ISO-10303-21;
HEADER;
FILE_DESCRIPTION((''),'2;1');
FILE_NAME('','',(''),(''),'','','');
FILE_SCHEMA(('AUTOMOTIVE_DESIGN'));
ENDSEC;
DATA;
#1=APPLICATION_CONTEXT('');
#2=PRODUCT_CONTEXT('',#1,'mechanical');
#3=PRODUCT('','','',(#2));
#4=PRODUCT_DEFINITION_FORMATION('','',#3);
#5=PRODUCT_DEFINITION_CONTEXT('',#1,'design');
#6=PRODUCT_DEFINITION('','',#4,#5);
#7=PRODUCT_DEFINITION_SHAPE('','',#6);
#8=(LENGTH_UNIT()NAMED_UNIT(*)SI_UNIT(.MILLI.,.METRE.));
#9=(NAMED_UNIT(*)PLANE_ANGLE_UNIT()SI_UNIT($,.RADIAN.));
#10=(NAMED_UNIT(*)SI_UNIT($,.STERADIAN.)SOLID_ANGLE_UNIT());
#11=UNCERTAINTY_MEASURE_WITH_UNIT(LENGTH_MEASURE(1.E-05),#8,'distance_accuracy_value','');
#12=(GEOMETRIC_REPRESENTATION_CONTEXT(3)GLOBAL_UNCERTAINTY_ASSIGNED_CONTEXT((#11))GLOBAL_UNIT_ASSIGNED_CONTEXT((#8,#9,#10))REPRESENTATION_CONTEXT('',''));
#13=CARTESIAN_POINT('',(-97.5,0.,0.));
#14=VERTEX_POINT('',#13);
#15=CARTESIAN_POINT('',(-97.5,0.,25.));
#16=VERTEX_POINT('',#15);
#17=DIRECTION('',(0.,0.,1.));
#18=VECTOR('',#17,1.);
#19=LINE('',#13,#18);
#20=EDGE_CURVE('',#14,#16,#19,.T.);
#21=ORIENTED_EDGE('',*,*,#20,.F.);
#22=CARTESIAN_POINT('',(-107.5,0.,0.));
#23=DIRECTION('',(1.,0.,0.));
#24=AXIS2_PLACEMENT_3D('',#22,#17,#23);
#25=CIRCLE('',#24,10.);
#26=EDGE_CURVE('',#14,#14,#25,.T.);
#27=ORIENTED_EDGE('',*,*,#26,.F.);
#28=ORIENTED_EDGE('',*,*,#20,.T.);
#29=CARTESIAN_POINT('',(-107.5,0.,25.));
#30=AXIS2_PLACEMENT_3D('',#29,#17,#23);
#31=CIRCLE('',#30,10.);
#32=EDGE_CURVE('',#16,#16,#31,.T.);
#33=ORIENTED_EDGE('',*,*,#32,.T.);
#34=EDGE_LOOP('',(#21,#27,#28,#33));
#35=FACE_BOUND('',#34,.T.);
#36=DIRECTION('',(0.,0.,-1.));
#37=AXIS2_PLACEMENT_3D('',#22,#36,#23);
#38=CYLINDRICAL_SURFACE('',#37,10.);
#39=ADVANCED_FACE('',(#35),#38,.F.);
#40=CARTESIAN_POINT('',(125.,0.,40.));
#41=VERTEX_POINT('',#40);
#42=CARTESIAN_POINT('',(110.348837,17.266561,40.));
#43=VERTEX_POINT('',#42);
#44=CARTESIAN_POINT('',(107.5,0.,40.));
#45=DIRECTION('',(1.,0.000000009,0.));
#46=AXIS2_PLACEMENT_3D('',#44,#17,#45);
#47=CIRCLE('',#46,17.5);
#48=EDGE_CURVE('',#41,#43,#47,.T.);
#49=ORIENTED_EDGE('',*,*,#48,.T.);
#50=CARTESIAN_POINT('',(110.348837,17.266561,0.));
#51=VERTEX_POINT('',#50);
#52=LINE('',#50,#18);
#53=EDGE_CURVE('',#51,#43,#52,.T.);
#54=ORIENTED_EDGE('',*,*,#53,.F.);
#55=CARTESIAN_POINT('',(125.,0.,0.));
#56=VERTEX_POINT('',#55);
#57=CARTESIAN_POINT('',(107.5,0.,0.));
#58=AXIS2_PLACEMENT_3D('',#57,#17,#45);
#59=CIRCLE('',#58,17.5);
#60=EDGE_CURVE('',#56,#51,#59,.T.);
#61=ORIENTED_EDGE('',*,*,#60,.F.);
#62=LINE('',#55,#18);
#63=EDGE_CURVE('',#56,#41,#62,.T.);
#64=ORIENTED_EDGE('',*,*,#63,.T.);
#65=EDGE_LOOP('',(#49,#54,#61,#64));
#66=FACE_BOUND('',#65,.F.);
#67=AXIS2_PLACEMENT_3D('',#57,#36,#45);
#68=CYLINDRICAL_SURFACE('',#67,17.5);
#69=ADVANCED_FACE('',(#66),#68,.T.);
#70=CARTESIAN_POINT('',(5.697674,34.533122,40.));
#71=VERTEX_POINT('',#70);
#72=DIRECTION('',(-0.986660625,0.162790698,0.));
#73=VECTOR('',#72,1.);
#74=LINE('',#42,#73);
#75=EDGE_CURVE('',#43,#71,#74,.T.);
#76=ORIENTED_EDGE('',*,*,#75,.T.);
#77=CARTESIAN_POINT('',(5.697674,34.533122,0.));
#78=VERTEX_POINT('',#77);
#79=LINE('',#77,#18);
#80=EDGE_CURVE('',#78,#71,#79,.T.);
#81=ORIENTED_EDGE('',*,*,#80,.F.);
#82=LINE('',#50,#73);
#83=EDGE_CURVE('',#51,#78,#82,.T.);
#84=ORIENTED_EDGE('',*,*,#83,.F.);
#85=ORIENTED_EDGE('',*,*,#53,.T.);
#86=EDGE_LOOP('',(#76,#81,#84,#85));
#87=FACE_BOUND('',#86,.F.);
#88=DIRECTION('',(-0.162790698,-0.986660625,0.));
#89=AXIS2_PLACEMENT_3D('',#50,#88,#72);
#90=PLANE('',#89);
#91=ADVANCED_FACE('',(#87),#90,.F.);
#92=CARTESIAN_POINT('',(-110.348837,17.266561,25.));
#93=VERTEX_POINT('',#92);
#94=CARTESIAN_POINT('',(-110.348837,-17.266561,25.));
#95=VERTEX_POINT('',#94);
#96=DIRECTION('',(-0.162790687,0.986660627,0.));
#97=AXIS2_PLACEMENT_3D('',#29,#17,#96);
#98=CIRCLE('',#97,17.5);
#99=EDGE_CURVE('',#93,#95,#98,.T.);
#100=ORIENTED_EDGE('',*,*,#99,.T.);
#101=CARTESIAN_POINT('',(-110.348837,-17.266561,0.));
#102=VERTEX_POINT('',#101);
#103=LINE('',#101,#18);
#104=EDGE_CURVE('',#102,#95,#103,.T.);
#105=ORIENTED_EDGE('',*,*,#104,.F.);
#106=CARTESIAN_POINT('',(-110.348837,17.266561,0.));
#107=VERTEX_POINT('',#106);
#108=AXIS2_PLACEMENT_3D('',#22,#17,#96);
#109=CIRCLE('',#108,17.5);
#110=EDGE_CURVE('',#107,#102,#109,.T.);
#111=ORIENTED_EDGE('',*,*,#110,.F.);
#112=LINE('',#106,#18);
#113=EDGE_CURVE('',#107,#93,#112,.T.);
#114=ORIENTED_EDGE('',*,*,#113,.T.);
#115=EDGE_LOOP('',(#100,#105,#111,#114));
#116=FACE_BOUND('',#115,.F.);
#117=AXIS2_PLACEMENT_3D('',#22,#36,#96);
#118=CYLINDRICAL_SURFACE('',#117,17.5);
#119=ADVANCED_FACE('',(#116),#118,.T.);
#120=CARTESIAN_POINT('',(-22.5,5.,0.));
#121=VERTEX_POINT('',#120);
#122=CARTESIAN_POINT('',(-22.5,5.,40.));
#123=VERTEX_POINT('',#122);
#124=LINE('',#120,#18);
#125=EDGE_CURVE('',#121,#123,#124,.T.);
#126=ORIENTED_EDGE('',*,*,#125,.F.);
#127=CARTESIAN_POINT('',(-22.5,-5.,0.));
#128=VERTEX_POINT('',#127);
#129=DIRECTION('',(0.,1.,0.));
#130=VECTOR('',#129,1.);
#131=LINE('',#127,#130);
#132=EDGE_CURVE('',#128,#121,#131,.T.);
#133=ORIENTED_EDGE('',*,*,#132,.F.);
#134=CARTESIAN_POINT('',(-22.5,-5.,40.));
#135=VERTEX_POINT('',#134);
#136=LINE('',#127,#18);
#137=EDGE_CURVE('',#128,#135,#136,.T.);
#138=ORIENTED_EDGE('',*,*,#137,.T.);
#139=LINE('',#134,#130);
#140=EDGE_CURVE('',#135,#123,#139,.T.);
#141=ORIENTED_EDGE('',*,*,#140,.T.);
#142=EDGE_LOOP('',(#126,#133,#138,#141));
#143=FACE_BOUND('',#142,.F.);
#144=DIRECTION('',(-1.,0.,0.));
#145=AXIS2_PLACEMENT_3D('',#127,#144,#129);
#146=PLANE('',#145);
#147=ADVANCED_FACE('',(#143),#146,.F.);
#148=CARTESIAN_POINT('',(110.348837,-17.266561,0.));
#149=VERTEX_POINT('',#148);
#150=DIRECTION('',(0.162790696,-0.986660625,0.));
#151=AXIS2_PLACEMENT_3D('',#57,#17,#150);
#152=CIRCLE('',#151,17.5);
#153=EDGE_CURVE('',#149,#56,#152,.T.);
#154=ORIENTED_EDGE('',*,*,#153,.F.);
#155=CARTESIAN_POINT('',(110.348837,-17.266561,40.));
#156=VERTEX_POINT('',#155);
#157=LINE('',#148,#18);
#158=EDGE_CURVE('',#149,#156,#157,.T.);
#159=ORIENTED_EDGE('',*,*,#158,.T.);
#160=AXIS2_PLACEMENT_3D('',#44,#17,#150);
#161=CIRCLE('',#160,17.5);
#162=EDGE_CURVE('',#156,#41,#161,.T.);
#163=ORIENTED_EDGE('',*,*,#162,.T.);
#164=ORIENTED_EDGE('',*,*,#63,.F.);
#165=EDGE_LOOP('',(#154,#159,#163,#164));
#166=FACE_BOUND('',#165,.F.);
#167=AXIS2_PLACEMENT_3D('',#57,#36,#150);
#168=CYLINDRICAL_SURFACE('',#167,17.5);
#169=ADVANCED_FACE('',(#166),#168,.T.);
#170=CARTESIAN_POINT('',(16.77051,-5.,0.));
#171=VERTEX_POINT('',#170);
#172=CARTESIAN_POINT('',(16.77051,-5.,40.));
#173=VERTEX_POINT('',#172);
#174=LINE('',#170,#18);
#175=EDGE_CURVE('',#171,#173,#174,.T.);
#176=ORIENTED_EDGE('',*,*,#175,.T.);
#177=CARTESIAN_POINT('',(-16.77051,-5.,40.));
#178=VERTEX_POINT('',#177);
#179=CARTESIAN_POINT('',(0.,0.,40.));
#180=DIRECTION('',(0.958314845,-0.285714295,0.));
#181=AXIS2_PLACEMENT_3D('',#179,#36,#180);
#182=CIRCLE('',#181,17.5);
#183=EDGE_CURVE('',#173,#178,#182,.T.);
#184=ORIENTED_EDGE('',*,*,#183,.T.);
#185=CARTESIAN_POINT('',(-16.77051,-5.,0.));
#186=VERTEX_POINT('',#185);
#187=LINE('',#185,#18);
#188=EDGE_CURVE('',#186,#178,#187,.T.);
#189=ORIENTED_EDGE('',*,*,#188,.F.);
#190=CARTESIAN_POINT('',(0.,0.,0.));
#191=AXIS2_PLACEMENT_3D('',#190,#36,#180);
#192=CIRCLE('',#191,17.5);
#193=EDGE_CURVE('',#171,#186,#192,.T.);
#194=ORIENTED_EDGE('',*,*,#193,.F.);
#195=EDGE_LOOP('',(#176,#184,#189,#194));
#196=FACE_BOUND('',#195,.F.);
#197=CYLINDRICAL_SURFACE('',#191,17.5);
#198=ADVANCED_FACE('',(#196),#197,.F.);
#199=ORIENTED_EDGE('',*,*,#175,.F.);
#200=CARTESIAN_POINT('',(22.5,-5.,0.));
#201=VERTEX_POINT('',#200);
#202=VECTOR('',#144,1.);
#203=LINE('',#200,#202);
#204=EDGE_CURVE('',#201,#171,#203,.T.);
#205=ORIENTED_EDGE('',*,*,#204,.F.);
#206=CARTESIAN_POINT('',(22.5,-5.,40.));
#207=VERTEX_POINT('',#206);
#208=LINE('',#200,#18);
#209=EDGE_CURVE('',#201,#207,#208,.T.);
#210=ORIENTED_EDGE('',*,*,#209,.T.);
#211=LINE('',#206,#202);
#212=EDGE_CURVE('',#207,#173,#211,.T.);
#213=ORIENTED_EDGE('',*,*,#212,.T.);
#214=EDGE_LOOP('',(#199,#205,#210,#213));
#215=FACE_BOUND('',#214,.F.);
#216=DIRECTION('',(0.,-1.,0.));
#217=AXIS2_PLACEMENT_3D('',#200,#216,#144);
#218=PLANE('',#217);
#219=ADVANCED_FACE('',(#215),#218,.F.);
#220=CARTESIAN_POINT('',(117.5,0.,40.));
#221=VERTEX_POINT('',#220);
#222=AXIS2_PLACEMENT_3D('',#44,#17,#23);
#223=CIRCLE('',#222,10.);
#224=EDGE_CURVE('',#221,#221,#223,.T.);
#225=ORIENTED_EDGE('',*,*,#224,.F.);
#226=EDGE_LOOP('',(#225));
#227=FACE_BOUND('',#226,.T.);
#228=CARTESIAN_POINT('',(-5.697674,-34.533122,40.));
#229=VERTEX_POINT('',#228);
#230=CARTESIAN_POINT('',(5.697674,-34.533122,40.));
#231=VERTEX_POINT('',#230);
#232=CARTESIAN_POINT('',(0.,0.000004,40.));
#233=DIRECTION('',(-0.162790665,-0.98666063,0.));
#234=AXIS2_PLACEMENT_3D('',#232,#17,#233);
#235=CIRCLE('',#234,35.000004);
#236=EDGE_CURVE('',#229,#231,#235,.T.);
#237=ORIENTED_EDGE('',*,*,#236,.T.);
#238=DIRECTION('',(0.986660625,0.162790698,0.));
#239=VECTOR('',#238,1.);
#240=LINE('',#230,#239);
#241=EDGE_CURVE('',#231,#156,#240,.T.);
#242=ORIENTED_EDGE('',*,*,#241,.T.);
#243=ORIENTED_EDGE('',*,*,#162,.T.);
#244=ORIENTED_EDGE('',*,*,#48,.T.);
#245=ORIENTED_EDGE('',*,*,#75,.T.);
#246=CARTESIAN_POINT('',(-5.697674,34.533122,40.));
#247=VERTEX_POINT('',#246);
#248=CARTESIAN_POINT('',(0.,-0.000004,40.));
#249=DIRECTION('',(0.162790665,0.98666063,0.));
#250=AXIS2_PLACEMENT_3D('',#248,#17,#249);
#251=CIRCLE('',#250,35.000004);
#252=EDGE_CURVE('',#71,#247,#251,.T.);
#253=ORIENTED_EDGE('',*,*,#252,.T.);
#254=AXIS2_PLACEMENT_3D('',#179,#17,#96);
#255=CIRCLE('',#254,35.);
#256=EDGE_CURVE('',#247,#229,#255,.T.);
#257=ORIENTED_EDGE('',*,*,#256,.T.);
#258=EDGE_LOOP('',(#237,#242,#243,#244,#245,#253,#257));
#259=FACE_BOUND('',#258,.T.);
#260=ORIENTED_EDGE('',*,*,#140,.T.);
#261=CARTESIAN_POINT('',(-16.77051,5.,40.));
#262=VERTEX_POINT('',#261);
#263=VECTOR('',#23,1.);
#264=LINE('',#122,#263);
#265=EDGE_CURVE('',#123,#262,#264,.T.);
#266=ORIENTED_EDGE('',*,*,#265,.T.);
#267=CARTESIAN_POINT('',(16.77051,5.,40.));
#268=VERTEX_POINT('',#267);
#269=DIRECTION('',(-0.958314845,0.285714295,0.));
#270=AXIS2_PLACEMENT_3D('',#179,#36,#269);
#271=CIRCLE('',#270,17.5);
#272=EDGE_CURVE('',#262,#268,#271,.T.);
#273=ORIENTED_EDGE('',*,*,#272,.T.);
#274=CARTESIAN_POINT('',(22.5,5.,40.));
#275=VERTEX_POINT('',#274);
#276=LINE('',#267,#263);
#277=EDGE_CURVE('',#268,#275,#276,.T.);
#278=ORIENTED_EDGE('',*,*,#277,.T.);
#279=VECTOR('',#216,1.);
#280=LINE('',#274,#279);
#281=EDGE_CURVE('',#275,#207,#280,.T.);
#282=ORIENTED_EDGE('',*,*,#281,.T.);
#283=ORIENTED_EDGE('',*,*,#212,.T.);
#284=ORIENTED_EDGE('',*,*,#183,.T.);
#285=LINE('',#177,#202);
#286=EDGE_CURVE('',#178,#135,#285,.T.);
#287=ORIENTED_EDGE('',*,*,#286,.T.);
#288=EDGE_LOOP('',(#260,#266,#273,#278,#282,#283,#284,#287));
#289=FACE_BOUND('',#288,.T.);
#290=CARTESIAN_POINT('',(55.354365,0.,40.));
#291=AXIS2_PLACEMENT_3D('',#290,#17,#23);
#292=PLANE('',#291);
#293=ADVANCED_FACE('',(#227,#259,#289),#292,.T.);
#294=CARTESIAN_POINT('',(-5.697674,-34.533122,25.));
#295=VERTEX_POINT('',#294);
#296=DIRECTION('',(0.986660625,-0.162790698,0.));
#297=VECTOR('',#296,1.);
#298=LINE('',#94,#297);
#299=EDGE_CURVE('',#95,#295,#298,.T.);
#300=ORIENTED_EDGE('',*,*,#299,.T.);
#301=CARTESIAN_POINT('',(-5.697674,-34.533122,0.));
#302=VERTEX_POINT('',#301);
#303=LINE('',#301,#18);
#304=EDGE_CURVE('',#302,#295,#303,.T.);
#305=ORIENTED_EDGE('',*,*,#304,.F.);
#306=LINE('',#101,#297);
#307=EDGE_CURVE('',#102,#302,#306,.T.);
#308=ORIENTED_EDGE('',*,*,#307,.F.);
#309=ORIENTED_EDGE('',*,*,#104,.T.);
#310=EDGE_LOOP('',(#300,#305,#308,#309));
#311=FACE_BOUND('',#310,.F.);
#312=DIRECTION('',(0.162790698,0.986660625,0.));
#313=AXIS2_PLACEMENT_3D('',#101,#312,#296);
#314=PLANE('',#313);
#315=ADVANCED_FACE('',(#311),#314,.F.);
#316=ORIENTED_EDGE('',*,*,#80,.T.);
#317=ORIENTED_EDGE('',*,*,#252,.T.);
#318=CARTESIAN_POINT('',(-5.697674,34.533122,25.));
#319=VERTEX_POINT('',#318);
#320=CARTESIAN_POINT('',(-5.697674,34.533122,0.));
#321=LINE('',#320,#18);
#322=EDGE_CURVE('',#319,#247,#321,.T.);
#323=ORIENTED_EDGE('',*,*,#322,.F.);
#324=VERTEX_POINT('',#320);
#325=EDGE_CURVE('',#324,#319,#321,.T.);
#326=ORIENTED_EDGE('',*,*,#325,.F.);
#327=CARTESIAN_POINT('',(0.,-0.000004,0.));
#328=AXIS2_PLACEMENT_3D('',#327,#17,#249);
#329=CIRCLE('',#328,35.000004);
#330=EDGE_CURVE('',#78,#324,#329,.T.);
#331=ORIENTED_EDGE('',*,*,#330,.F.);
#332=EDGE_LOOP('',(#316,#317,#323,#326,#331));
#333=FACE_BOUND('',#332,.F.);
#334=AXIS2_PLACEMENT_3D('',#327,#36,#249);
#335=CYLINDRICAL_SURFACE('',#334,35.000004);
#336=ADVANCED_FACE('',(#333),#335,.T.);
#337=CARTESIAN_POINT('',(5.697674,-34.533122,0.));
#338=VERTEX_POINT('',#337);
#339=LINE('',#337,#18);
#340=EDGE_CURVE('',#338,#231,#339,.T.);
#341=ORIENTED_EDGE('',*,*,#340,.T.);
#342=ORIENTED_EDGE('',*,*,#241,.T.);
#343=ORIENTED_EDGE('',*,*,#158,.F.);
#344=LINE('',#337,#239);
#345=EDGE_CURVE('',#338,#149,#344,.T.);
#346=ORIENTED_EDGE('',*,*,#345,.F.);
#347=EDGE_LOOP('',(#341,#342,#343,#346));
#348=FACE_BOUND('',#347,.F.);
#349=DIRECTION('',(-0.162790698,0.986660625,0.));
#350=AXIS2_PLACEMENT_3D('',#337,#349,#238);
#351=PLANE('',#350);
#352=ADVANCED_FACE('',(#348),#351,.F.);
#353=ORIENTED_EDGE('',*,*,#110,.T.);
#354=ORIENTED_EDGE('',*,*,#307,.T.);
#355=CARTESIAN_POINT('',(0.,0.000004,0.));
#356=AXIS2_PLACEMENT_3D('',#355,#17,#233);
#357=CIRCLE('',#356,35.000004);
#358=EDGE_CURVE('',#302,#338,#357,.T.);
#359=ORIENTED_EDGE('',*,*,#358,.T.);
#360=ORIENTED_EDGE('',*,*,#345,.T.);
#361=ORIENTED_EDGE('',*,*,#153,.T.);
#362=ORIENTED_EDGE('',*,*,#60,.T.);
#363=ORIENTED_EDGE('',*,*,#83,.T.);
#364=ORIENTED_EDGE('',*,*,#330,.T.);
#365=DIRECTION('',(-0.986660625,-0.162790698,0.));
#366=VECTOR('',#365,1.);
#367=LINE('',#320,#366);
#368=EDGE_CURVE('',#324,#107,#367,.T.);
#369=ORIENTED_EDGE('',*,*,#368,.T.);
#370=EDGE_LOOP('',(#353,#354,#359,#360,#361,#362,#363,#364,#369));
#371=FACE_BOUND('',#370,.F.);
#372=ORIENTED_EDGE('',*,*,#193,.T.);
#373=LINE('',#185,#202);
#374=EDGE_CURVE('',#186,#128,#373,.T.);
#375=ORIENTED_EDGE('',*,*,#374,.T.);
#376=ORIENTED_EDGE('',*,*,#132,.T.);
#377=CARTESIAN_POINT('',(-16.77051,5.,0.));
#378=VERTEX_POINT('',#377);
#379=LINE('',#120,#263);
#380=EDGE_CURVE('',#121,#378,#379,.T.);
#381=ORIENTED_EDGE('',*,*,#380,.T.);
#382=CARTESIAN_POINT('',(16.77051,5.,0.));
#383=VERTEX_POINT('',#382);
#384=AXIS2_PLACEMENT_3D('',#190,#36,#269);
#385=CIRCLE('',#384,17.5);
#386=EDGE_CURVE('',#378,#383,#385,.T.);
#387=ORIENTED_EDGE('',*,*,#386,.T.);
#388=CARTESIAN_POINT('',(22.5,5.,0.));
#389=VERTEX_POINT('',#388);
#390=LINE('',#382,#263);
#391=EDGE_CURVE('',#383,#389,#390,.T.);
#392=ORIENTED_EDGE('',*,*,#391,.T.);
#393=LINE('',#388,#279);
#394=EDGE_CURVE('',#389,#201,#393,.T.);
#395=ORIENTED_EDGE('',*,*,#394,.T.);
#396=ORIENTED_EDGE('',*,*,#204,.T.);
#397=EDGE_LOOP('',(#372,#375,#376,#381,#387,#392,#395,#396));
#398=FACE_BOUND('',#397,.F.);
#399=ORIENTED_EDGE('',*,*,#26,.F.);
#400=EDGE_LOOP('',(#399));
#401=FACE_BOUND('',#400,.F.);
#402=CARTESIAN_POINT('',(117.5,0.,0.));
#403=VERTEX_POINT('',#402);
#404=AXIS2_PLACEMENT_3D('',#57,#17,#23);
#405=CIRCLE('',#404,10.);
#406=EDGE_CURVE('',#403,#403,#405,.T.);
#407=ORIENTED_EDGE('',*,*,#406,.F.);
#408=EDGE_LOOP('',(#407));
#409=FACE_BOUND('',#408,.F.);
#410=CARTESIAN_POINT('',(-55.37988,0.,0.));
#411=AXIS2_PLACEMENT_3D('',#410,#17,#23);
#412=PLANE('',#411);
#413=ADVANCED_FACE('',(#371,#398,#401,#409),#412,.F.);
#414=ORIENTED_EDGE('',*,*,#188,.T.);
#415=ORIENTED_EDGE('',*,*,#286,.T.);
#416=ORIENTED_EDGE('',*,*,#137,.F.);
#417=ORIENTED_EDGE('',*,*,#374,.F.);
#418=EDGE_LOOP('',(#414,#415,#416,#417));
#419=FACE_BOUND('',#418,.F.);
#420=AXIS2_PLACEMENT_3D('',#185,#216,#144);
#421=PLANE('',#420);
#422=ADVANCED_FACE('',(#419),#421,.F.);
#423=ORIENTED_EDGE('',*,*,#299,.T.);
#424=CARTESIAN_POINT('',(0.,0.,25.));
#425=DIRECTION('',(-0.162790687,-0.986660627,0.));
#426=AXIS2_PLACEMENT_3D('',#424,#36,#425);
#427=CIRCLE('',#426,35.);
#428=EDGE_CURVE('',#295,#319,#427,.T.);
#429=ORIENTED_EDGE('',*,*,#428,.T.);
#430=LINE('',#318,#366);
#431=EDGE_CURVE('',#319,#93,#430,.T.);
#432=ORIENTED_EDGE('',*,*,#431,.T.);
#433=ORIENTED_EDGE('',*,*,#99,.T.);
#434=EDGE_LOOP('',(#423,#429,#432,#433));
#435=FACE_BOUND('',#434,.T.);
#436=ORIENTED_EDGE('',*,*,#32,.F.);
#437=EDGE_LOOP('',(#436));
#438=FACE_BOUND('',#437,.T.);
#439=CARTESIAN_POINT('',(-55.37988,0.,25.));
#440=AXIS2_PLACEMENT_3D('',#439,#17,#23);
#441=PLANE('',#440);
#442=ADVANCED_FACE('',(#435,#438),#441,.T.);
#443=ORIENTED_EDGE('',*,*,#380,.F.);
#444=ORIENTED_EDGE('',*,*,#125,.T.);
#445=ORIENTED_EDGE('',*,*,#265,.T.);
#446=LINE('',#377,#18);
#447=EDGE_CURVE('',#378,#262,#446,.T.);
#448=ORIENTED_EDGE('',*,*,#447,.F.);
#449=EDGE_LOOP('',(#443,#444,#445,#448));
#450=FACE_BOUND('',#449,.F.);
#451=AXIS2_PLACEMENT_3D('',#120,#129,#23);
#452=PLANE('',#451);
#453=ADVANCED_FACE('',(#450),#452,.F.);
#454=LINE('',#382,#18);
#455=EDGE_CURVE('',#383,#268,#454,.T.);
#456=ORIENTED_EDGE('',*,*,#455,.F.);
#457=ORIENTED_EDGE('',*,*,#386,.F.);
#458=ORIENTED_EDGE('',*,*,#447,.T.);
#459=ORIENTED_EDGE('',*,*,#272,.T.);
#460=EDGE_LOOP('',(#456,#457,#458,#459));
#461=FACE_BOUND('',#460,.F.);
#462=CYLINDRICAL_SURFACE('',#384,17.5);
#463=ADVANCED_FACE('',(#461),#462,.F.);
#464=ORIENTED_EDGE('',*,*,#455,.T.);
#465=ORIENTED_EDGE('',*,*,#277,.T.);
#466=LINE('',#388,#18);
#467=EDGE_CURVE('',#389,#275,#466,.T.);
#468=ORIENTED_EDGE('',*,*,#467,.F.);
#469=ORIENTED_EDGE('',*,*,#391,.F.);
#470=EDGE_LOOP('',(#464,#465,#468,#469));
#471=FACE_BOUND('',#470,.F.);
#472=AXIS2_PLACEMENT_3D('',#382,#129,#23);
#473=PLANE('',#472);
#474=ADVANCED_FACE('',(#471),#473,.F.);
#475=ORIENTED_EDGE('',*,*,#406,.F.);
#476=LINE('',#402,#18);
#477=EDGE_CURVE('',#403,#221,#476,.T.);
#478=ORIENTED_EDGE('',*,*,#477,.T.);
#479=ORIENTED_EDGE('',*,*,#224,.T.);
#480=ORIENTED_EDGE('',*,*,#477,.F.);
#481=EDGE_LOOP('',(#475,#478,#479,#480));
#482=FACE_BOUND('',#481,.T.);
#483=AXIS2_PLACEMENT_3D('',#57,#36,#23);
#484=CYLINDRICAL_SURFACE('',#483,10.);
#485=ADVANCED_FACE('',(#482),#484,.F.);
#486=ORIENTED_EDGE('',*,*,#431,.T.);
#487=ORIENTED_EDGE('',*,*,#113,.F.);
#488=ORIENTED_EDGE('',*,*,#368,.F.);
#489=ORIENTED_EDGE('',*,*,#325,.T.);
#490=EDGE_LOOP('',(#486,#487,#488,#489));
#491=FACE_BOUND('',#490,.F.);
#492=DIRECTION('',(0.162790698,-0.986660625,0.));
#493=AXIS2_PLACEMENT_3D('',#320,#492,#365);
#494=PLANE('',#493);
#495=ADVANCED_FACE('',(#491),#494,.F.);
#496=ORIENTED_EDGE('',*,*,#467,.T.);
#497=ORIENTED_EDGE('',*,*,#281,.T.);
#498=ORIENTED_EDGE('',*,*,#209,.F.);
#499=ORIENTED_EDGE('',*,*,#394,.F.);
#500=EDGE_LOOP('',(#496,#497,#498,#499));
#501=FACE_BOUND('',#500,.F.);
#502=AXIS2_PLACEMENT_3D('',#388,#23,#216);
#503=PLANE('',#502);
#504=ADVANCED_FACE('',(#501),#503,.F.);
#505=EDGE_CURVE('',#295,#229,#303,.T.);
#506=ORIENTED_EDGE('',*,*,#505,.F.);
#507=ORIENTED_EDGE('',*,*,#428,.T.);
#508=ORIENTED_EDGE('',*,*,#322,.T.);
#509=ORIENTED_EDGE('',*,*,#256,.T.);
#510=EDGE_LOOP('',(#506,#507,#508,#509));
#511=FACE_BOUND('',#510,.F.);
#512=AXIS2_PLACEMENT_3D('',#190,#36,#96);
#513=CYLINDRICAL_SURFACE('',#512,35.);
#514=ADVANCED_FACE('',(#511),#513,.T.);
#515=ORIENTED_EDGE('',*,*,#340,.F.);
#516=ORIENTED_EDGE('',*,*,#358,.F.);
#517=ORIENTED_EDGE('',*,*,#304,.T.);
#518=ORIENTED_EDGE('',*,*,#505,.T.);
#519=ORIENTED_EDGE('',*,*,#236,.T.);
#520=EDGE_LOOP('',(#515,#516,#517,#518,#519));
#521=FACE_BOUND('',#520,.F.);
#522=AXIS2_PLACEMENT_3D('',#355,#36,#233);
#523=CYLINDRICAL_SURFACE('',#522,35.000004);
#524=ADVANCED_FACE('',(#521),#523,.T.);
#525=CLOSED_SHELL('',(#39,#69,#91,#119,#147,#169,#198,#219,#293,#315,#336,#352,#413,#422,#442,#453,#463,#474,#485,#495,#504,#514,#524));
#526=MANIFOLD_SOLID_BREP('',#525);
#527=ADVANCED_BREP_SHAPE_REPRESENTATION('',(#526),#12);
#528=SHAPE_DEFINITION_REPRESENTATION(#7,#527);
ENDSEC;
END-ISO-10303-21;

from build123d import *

# Parameters (mm, degrees)
F0_R     = 10
F1_DEPTH = 40
F2_DEPTH = 25


with BuildPart() as f1:
    # F0 (on Top) → F1 (new body)
    with BuildSketch(Plane.XY):
        with BuildLine():
            ThreePointArc((5.697674, 34.533122), (26.68725, 22.644882), (35, 0))
            ThreePointArc((35, 0), (26.68725, -22.644882), (5.697674, -34.533122))
            Line((5.697674, -34.533122), (110.348837, -17.266561))
            ThreePointArc((110.348837, -17.266561), (90, 0), (110.348837, 17.266561))
            Line((110.348837, 17.266561), (5.697674, 34.533122))
        make_face()
        with BuildLine():
            ThreePointArc((125, 0), (120.843625, 11.322441), (110.348837, 17.266561))
            ThreePointArc((110.348837, 17.266561), (90, 0), (110.348837, -17.266561))
            ThreePointArc((110.348837, -17.266561), (120.843625, -11.322441), (125, 0))
        make_face()
        with Locations((107.5, 0)):
            Circle(F0_R, mode=Mode.SUBTRACT)
        with BuildLine():
            ThreePointArc((5.697674, -34.533122), (26.68725, -22.644882), (35, 0))
            ThreePointArc((35, 0), (26.68725, 22.644882), (5.697674, 34.533122))
            ThreePointArc((5.697674, 34.533122), (0, 35), (-5.697674, 34.533122))
            ThreePointArc((-5.697674, 34.533122), (-35, 0), (-5.697674, -34.533122))
            ThreePointArc((-5.697674, -34.533122), (0, -35), (5.697674, -34.533122))
        make_face()
        with BuildLine():
            ThreePointArc((-16.77051, 5), (0, 17.5), (16.77051, 5))
            Line((16.77051, 5), (22.5, 5))
            Line((22.5, 5), (22.5, -5))
            Line((22.5, -5), (16.77051, -5))
            ThreePointArc((16.77051, -5), (0, -17.5), (-16.77051, -5))
            Line((-16.77051, -5), (-22.5, -5))
            Line((-22.5, -5), (-22.5, 5))
            Line((-22.5, 5), (-16.77051, 5))
        make_face(mode=Mode.SUBTRACT)
    extrude(amount=F1_DEPTH)

    # F0 (on Top) → F2 (join)
    with BuildSketch(Plane.XY):
        with BuildLine():
            ThreePointArc((-5.697674, -34.533122), (-35, 0), (-5.697674, 34.533122))
            Line((-5.697674, 34.533122), (-110.348837, 17.266561))
            ThreePointArc((-110.348837, 17.266561), (-96.177559, 13.343625), (-90, 0))
            ThreePointArc((-90, 0), (-96.177559, -13.343625), (-110.348837, -17.266561))
            Line((-110.348837, -17.266561), (-5.697674, -34.533122))
        make_face()
        with BuildLine():
            ThreePointArc((-90, 0), (-96.177559, 13.343625), (-110.348837, 17.266561))
            ThreePointArc((-110.348837, 17.266561), (-125, 0), (-110.348837, -17.266561))
            ThreePointArc((-110.348837, -17.266561), (-96.177559, -13.343625), (-90, 0))
        make_face()
        with Locations((-107.5, 0)):
            Circle(F0_R, mode=Mode.SUBTRACT)
    extrude(amount=F2_DEPTH)


solid = f1.part
